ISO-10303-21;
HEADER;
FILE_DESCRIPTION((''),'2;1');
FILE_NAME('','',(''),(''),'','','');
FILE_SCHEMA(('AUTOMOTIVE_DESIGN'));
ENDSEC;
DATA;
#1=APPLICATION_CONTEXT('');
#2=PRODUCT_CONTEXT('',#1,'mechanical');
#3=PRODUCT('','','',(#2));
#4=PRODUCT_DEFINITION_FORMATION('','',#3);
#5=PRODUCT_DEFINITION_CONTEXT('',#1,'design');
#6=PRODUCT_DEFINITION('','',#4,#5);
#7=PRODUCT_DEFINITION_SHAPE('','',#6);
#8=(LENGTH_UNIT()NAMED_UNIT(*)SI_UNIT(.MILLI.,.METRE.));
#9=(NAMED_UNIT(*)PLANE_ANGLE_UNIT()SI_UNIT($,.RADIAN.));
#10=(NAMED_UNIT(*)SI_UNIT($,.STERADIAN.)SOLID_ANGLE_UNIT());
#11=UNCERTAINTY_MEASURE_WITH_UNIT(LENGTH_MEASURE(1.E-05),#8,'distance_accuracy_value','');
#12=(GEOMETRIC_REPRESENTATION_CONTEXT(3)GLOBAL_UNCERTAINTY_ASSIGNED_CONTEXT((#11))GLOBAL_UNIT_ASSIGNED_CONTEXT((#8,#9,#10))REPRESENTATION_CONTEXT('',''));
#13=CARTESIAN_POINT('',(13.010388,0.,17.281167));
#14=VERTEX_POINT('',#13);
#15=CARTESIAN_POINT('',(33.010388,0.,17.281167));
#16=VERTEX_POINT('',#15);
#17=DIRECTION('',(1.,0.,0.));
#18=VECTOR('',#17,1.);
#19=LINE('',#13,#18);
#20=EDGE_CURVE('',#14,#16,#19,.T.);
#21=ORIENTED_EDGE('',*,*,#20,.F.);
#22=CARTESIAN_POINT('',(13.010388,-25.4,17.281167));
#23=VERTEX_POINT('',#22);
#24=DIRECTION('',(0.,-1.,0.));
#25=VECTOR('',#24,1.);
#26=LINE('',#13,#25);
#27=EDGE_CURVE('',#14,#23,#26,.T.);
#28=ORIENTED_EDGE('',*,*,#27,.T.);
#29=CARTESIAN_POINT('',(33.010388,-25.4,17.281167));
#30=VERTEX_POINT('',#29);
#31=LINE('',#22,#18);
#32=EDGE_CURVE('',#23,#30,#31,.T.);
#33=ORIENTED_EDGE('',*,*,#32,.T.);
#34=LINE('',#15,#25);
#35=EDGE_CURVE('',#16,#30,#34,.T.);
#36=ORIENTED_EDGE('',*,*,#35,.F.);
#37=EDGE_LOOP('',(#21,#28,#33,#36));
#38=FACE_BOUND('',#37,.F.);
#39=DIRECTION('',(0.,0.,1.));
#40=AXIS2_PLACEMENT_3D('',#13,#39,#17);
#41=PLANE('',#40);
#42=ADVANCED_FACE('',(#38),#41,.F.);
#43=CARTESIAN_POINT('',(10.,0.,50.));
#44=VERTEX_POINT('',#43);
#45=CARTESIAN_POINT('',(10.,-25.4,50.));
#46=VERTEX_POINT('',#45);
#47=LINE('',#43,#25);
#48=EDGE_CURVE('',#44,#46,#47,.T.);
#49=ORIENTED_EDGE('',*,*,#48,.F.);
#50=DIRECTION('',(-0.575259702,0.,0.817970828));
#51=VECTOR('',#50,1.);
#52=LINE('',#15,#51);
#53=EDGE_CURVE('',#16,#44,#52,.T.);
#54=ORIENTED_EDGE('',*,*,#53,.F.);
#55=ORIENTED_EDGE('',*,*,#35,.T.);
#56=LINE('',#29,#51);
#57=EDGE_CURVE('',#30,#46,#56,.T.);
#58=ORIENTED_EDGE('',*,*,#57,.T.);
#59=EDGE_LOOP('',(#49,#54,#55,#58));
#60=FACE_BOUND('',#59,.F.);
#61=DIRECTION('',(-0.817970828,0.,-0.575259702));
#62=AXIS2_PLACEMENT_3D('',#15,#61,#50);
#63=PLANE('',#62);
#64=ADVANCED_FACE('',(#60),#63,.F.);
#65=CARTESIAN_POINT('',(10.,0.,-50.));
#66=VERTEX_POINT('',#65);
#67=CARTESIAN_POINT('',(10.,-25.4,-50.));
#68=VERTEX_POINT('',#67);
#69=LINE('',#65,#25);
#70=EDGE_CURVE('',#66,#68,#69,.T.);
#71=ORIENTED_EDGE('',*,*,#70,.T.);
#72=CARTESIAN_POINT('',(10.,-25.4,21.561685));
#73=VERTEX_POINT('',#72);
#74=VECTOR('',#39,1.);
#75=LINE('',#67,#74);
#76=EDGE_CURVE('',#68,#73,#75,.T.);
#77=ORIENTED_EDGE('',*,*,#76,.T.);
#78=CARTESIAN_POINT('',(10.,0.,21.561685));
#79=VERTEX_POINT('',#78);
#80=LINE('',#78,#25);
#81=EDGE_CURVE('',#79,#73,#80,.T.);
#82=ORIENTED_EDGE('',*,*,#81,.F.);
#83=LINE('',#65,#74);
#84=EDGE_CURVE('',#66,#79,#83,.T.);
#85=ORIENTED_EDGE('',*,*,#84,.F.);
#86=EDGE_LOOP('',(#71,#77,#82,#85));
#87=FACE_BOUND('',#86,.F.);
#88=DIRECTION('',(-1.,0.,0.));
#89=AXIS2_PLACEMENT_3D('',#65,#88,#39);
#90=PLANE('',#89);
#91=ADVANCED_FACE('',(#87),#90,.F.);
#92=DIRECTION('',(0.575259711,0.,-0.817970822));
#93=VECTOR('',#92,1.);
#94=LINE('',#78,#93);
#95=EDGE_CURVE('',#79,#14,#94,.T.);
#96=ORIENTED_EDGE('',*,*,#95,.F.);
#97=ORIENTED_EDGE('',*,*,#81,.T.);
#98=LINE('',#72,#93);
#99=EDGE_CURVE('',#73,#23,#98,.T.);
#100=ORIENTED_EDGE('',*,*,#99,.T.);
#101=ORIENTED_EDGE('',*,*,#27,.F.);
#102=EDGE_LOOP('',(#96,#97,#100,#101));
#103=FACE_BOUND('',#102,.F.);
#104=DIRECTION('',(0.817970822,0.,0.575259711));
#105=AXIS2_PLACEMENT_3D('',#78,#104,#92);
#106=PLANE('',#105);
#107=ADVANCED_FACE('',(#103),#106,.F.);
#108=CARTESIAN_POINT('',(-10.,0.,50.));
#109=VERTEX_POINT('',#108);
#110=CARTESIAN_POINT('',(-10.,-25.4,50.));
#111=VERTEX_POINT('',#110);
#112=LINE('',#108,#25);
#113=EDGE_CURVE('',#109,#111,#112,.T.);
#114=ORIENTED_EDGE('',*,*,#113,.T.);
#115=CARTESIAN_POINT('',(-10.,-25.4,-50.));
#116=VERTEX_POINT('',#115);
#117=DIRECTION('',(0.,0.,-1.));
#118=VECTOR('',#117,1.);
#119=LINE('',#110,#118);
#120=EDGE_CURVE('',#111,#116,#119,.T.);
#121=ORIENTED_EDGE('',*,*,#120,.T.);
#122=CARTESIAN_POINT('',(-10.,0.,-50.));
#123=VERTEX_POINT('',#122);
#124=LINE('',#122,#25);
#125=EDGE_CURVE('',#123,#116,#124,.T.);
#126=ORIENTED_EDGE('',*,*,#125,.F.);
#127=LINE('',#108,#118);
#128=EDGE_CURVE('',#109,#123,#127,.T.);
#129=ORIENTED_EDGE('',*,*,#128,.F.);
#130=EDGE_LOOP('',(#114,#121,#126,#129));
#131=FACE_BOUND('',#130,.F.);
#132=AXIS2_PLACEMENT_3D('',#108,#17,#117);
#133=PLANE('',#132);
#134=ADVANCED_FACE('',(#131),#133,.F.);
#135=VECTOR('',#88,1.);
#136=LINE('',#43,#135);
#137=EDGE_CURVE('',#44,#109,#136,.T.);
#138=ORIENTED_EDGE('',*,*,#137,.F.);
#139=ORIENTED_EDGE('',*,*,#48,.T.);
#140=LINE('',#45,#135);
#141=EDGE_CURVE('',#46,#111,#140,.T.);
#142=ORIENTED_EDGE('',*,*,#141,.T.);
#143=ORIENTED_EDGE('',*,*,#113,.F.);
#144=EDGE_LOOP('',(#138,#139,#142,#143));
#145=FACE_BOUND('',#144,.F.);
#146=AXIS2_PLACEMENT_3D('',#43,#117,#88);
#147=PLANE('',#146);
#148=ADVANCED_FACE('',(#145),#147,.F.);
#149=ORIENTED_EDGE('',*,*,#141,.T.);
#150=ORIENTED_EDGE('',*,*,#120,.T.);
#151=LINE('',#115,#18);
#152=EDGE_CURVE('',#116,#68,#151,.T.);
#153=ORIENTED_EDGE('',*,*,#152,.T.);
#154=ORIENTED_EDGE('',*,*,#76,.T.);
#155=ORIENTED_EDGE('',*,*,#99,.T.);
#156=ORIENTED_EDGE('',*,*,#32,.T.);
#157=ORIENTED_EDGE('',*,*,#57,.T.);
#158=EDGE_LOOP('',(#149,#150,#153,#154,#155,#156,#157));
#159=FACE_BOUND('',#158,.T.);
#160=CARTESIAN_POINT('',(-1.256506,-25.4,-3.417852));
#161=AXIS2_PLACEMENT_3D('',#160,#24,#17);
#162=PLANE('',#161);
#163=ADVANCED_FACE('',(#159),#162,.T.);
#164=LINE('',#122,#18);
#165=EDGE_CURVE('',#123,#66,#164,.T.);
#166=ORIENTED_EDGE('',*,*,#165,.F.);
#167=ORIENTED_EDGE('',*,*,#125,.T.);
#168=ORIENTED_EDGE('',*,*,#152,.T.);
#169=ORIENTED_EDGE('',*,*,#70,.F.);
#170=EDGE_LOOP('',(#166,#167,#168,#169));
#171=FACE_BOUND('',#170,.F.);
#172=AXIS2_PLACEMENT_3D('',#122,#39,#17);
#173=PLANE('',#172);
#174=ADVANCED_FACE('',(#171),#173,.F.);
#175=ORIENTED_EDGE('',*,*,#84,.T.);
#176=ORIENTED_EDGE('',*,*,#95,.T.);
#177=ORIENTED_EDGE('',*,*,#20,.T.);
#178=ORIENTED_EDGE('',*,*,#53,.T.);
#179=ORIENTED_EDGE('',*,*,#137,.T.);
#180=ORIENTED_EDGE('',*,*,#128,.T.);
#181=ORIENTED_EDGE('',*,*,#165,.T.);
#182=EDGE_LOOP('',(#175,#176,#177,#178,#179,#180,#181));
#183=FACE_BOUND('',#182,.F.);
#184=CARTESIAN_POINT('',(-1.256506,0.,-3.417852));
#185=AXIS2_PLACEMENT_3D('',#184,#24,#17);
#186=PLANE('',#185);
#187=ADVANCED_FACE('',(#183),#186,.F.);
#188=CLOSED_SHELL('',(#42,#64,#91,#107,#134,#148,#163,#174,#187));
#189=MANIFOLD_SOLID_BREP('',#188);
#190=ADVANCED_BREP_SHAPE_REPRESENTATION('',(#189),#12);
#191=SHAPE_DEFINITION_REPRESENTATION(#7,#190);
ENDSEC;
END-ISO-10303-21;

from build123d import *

# Parameters (mm, degrees)
F1_DEPTH = 25.4


with BuildPart() as f1:
    # F0 (on Front) → F1 (new body)
    with BuildSketch(Plane.XZ):
        Polygon((10, 21.561685), (-10, 50), (-10, -50), (10, -50), align=None)
        Polygon((10, 50), (-10, 50), (10, 21.561685), align=None)
        Polygon((33.010388, 17.281167), (10, 50), (10, 21.561685), (13.010388, 17.281167), align=None)
    extrude(amount=F1_DEPTH)


solid = f1.part
